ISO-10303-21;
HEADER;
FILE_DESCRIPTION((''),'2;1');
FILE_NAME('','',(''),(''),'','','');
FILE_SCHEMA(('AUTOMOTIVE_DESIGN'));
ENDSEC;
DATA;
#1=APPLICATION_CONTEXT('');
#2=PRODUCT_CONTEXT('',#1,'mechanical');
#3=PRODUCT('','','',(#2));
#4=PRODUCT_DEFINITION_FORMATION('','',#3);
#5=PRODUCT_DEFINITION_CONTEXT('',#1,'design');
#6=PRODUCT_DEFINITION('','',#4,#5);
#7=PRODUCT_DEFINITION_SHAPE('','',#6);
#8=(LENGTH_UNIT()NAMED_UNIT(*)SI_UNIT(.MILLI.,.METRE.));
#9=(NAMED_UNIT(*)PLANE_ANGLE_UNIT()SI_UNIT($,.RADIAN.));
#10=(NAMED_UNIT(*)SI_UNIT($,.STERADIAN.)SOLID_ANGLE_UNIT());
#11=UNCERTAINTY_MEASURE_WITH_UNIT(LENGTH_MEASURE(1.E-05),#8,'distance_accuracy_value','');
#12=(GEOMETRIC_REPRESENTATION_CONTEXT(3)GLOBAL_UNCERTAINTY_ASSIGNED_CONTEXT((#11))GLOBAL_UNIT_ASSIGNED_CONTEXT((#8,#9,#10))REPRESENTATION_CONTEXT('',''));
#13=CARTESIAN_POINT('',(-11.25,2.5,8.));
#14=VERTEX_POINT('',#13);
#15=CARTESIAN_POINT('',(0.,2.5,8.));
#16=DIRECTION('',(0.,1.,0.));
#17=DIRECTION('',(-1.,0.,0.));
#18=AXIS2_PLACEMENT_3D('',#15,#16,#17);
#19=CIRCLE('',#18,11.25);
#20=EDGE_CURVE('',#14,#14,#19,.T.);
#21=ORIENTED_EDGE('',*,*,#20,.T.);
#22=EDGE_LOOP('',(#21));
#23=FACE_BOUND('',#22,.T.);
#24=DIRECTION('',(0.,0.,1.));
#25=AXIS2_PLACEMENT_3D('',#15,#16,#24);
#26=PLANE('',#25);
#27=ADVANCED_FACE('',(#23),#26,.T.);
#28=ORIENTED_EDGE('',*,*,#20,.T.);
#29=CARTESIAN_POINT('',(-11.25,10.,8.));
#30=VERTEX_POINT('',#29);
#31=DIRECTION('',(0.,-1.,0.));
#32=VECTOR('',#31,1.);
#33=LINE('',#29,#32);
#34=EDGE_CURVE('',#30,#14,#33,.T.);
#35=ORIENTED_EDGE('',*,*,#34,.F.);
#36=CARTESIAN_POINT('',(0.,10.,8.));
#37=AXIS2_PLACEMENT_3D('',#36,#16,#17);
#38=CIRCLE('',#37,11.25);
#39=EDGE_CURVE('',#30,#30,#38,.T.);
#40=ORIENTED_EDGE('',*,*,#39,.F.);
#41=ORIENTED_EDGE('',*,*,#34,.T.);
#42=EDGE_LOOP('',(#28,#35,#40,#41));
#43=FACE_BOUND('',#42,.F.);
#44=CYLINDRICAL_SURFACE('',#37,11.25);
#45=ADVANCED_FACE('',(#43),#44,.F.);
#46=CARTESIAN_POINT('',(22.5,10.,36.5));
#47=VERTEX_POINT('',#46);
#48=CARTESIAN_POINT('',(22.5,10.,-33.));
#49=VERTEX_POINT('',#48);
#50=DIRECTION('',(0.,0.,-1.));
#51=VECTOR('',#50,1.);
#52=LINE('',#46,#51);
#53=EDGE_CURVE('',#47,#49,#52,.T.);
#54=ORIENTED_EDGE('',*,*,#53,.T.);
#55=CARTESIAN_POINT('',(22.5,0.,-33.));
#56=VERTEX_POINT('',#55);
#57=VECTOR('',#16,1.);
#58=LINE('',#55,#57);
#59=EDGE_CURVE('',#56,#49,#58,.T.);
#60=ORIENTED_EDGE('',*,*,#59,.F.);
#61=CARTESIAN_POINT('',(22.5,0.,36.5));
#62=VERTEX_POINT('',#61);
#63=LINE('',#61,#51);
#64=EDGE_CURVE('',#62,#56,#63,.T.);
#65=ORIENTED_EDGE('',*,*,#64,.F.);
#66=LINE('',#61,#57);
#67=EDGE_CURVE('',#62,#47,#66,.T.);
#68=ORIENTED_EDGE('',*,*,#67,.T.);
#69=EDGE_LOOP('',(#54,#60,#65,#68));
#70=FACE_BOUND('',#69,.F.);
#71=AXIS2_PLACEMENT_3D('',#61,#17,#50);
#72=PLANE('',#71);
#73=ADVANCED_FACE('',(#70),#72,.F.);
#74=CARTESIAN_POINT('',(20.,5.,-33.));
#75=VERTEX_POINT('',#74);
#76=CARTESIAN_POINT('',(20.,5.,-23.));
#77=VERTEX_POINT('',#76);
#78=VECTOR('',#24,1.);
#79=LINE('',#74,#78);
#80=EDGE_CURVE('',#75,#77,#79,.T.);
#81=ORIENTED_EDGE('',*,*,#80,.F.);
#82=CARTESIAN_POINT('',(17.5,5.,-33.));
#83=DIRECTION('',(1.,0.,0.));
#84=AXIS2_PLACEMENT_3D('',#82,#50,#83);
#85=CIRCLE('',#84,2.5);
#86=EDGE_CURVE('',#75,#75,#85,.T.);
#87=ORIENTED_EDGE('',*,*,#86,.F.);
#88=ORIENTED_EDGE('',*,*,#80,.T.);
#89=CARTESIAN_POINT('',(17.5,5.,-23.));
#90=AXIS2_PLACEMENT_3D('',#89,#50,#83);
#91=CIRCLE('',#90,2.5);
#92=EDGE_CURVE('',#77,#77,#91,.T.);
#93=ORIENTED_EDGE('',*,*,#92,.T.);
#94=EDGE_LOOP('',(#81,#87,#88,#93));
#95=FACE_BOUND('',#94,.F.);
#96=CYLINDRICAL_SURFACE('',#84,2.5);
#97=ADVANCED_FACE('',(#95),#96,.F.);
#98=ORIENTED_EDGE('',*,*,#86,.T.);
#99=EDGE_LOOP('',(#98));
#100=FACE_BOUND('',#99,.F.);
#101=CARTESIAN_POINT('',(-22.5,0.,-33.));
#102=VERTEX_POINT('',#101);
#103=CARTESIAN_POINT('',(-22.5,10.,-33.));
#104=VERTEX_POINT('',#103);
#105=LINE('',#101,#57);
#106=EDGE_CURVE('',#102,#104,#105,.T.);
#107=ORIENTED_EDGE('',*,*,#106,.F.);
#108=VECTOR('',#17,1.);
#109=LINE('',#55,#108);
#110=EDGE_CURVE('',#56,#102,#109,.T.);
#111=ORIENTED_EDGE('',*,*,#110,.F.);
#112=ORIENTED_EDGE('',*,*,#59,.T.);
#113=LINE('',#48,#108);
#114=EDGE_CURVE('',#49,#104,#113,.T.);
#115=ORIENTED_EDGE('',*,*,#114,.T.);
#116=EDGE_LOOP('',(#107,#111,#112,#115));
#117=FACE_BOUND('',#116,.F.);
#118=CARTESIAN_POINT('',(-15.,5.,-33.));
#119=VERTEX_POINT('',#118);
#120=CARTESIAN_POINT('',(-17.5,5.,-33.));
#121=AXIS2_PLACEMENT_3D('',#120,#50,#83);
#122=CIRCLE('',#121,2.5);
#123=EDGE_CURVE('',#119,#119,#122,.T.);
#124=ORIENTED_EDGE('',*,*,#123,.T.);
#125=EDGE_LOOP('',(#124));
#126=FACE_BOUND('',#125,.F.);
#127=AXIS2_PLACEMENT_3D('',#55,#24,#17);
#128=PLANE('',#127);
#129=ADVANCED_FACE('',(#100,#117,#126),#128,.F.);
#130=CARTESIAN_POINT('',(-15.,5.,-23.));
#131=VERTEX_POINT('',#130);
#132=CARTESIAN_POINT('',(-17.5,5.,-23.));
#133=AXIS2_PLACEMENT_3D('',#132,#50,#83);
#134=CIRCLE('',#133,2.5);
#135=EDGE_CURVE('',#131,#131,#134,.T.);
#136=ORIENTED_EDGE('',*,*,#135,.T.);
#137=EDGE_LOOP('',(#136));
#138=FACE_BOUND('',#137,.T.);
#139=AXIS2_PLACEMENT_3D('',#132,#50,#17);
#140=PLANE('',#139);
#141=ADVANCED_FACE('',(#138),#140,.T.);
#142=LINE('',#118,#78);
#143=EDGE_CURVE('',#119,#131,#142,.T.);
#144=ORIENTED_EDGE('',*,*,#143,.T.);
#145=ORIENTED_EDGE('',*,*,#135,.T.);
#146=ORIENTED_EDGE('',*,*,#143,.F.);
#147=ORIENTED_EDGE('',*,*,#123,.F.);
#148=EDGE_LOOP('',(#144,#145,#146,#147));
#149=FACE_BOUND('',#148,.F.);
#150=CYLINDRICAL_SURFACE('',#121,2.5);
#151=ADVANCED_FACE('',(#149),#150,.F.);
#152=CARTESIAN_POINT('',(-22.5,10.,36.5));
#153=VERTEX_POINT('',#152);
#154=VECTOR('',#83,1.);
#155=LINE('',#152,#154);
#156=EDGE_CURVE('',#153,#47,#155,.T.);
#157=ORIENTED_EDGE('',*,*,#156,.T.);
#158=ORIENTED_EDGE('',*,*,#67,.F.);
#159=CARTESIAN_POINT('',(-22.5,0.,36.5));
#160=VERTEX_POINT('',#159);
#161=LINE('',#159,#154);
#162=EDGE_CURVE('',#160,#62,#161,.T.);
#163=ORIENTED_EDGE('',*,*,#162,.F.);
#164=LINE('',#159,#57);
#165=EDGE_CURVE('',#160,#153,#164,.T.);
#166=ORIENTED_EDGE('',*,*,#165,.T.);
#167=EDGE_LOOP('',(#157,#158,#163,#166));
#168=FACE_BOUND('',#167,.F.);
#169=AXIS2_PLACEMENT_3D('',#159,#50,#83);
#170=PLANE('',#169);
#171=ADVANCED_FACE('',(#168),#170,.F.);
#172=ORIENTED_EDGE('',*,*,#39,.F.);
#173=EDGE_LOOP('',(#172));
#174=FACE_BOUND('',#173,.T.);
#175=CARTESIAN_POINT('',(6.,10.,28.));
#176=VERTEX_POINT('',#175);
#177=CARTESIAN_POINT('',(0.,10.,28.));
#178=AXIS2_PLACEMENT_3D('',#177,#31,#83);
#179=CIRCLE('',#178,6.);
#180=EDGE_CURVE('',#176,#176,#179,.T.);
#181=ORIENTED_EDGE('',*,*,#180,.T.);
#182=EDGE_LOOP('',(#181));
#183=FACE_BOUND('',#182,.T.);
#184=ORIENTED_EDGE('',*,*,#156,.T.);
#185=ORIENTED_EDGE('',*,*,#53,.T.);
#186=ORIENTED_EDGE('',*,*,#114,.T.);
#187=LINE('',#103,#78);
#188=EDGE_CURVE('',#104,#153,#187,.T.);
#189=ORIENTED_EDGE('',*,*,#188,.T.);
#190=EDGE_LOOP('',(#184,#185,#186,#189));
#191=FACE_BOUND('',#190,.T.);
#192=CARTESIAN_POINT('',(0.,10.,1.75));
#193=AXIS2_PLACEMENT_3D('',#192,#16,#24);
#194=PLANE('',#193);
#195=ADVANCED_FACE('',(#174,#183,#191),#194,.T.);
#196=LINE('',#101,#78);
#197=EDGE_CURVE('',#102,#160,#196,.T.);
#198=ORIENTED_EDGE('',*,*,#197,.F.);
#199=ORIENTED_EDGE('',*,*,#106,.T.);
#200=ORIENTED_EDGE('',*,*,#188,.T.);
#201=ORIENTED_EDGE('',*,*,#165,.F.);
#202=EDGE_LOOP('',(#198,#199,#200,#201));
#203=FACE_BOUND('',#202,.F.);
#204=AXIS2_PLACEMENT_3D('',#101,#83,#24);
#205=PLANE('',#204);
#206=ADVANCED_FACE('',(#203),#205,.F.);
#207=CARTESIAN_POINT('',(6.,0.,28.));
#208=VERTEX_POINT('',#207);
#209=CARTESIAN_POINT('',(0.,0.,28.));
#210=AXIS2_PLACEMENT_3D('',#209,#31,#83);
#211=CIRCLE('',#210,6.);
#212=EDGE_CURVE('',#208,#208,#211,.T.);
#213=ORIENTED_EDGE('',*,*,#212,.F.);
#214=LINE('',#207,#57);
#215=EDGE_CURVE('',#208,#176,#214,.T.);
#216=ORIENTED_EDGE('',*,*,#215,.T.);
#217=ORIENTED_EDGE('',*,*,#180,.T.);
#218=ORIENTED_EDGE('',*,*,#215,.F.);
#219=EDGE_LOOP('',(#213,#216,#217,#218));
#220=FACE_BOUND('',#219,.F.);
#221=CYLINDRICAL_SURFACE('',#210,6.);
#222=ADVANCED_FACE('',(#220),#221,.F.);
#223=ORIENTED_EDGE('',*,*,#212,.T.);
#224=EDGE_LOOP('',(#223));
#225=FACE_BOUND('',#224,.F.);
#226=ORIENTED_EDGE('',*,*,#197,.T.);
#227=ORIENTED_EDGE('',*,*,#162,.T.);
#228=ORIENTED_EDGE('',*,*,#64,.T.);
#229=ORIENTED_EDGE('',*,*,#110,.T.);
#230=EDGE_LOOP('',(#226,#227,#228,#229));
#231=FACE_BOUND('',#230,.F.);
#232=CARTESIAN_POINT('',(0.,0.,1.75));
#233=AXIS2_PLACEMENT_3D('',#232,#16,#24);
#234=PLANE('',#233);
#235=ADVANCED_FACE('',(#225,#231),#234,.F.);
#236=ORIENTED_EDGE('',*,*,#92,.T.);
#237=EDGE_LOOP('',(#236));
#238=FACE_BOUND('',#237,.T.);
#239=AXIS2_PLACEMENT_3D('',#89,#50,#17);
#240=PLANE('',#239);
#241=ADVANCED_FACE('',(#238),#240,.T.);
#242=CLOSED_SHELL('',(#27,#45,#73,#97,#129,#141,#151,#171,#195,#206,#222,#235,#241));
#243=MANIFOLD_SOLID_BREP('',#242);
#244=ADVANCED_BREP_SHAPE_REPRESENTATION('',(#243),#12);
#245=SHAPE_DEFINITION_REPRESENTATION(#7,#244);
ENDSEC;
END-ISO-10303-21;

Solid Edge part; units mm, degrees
sketch "Sketch1" plane through (0, 0, 0) normal (0, -1, 0) x (1, 0, 0)
  line L0 (22.5, 36.5) -> (22.5, -33)
  line L1 (22.5, -33) -> (-22.5, -33)
  line L2 (-22.5, -33) -> (-22.5, 36.5)
  line L3 (-22.5, 36.5) -> (22.5, 36.5)
  circle A0 centre (0, 28) radius 6
  circle A1 centre (0, 8) radius 4.6
  dimension "D1" = 9.2
  dimension "D2" = 8
  dimension "D3" = 11.2
  dimension "D4" = 5.6
  dimension "D5" = 15
  dimension "D6" = 24
  dimension "D7" = 45
  dimension "D8" = 17
  dimension "D9" = 13.5
  dimension "D10" = 12
  dimension "D11" = 20
extrude "Protrusion1" add sketch "Sketch1" against normal blind 10
sketch "Sketch2" plane through (0, 10, 4.6) normal (0, 1, 0) x (-1, 0, 0)
  circle A0 centre (0, 3.4) radius 11.25
extrude "ExtrudedCutout_1" cut sketch "Sketch2" against normal blind 7.5
sketch "Sketch3" plane through (0, 5, -33) normal (0, 0, -1) x (1, 0, 0)
  circle A0 centre (-17.5, 0) radius 2.5
extrude "ExtrudedCutout_2" cut sketch "Sketch3" against normal blind 10
sketch "Sketch4" plane through (0, 2.5, 8) normal (0, 1, 0) x (-1, 0, 0)
  circle A0 centre (0, 0) radius 4.6
extrude "Protrusion2" add sketch "Sketch4" against normal up to vertex (2.5 mm away)
sketch "Sketch5" plane through (0, 5, -33) normal (0, 0, -1) x (1, 0, 0)
  circle A0 centre (17.5, 0) radius 2.5
extrude "ExtrudedCutout_3" cut sketch "Sketch5" against normal blind 10
